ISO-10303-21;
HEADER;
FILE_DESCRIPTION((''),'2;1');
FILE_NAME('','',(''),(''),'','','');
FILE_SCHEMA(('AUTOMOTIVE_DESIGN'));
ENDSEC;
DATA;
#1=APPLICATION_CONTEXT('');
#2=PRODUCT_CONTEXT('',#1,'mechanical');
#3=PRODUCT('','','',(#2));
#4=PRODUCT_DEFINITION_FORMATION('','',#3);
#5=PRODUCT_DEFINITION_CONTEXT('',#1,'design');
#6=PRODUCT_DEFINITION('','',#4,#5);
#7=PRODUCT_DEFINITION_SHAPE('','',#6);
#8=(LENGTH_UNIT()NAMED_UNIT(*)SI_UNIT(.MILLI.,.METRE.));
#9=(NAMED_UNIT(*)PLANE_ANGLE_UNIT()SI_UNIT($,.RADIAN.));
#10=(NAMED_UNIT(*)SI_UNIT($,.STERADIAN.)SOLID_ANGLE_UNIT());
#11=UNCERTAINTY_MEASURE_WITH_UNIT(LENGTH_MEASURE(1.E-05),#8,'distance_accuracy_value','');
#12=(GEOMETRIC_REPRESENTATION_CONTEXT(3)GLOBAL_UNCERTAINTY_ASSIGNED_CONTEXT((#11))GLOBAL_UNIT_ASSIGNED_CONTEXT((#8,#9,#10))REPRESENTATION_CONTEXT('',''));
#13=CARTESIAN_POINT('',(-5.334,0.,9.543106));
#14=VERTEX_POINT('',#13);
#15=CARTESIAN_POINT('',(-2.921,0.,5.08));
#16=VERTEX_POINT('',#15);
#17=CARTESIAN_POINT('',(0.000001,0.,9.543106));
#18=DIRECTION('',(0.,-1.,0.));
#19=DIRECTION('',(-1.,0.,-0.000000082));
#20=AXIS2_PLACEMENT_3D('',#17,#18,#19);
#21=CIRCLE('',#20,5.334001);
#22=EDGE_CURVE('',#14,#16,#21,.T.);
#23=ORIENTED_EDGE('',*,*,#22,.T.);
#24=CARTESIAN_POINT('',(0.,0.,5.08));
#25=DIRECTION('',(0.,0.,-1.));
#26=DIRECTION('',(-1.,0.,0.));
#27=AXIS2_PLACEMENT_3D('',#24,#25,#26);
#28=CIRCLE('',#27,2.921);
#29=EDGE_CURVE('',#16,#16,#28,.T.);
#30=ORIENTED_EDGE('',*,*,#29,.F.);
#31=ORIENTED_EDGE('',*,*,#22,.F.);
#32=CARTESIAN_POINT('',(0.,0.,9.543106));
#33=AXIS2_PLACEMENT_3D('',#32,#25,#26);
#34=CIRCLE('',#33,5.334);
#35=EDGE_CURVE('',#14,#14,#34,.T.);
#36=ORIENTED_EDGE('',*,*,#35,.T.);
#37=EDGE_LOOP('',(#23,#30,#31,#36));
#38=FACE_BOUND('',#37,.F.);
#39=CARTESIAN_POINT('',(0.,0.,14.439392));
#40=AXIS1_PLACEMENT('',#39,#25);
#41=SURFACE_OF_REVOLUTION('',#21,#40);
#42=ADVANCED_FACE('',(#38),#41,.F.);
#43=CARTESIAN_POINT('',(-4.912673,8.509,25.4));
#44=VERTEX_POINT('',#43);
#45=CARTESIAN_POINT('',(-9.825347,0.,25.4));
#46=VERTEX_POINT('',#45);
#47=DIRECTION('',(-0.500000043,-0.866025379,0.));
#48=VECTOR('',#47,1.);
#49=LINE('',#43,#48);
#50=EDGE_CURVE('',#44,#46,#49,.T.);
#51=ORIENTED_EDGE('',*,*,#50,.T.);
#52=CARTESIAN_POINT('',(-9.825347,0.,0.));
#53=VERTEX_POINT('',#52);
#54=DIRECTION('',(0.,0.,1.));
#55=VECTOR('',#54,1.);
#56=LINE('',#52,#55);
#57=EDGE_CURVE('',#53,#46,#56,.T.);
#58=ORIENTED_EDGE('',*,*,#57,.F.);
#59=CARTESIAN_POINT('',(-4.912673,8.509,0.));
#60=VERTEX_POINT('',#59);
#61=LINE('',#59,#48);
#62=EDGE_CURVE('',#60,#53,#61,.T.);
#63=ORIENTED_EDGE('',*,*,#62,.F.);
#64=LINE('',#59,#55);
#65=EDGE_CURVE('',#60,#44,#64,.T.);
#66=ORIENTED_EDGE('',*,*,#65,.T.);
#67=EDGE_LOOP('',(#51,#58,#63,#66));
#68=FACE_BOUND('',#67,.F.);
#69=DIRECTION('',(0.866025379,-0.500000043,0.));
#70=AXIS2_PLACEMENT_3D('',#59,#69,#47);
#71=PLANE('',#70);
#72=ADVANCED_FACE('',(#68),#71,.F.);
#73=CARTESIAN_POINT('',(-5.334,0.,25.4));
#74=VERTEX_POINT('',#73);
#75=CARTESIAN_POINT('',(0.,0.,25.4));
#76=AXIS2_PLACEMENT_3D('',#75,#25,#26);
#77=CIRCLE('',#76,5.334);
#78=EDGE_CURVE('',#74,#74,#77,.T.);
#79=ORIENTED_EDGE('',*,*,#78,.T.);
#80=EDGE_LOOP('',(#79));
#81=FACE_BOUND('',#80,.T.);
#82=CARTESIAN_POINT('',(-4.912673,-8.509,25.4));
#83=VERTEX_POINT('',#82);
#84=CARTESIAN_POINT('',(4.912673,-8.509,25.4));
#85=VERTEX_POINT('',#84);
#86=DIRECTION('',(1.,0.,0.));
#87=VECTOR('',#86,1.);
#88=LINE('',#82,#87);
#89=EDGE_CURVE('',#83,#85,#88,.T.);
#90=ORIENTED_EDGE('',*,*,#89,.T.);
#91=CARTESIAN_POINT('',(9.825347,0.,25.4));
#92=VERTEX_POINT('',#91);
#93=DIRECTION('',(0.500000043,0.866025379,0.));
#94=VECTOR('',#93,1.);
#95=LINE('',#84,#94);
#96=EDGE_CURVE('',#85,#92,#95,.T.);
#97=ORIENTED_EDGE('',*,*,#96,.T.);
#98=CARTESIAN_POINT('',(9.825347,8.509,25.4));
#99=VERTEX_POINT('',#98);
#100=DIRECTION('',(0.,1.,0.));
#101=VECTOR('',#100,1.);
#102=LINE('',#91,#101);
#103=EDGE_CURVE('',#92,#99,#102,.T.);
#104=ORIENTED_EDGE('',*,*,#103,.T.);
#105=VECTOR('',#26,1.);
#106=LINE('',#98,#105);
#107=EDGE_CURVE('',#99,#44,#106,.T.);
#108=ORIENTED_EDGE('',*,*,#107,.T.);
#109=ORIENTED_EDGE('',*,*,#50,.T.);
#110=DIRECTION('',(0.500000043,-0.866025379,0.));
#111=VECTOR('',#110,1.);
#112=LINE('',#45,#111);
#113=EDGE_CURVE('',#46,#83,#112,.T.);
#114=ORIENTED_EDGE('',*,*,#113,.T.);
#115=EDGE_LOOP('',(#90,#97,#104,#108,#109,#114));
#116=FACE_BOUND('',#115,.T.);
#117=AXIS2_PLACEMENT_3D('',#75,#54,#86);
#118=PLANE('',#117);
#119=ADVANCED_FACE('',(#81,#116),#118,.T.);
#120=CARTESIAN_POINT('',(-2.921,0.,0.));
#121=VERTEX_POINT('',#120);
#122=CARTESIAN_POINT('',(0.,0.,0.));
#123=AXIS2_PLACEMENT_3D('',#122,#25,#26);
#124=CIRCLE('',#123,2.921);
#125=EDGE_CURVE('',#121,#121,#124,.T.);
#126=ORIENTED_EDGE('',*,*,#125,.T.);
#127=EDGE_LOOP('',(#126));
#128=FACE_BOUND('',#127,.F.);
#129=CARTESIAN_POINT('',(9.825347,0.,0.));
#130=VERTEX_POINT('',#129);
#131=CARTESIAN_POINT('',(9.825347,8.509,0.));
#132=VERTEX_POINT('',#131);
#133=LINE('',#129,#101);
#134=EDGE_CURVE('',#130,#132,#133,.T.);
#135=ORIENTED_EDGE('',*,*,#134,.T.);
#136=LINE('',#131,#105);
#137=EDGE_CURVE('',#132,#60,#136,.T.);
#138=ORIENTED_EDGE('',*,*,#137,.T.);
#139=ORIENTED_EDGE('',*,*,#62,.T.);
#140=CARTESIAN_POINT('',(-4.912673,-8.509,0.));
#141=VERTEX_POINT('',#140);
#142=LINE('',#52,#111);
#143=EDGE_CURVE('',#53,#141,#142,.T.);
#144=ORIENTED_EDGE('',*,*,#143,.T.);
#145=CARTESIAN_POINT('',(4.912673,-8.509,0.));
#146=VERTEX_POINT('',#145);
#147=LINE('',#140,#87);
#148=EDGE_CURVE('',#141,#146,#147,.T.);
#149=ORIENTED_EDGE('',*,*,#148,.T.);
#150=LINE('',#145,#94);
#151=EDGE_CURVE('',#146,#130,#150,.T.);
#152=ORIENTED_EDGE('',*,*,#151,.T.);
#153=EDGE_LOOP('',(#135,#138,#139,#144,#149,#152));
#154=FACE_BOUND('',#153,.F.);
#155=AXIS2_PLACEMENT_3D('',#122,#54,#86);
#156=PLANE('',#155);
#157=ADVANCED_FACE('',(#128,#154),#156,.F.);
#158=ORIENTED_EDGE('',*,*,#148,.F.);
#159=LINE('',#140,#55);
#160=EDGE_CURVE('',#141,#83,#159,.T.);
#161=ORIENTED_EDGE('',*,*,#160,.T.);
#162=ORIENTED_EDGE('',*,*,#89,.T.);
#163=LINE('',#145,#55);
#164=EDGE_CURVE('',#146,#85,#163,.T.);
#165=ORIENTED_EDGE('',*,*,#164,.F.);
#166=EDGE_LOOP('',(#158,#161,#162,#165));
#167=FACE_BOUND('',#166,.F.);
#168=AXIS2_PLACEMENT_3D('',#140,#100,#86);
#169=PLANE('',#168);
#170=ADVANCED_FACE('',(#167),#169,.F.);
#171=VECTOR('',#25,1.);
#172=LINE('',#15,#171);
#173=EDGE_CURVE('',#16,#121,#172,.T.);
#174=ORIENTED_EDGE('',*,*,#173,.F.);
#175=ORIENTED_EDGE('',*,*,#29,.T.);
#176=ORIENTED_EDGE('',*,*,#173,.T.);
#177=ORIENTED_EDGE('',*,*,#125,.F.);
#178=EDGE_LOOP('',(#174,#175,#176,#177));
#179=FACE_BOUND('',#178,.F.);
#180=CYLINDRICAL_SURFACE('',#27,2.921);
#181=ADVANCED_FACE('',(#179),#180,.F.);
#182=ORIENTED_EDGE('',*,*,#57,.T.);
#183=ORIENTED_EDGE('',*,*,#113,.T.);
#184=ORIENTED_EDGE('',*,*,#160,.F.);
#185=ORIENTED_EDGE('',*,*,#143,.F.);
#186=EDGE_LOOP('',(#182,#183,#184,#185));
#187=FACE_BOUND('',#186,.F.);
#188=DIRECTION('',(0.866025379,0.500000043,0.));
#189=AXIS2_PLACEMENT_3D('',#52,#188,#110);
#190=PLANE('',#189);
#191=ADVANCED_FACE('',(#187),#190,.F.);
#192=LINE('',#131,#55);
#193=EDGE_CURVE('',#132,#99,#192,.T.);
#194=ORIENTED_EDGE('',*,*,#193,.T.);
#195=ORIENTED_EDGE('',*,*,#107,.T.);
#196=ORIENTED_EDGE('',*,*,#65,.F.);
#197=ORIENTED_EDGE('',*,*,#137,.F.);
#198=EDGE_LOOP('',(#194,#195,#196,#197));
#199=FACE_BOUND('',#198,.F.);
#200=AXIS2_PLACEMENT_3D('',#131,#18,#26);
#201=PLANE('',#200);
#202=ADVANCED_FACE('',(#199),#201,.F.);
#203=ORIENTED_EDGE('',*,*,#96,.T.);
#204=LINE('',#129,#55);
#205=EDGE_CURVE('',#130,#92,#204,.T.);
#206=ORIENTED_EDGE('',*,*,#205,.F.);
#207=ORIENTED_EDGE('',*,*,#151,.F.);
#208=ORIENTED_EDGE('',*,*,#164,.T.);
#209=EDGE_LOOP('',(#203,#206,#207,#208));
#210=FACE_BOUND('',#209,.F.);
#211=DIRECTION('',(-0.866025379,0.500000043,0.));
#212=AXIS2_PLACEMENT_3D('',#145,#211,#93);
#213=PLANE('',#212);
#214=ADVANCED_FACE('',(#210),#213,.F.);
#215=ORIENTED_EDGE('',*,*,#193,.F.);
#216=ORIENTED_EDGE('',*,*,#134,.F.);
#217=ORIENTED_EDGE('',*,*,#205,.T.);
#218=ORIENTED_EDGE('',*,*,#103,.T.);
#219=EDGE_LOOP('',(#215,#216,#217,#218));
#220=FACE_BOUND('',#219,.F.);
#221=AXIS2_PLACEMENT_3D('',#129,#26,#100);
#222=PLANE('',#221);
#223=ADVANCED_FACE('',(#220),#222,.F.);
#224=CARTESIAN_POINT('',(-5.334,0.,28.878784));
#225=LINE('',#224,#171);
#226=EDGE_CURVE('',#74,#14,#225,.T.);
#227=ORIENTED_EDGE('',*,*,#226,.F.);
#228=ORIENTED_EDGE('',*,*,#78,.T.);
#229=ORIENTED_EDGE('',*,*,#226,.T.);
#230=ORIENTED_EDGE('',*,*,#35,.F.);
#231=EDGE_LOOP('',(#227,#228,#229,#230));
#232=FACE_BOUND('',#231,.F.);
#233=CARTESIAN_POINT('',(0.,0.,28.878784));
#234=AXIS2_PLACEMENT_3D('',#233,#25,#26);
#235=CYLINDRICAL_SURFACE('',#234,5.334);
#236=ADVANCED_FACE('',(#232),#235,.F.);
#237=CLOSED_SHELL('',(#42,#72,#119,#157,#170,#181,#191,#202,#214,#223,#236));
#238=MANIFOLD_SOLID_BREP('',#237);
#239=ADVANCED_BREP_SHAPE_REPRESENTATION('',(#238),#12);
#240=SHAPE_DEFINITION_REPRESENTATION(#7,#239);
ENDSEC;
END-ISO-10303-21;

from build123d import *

# Parameters (mm, degrees)
F0_R     = 5.334
F1_DEPTH = 25.4


with BuildPart() as f1:
    # F0 (on Top) → F1 (new body)
    with BuildSketch(Plane.XY):
        Polygon((4.912673, 8.509), (-4.912673, 8.509), (-9.825347, 0), (-4.912673, -8.509), (4.912673, -8.509), (9.825347, 0), align=None)
        Circle(F0_R, mode=Mode.SUBTRACT)
        Polygon((9.825347, 8.509), (4.912673, 8.509), (9.825347, 0), align=None)
        Circle(F0_R)
    extrude(amount=F1_DEPTH)

    # F2 (on Front) → F3 (revolve, cut)
    with BuildSketch(Plane.XZ):
        with BuildLine():
            Line((-2.921, 5.08), (-2.921, 0))
            Line((-2.921, 0), (0, 0))
            Line((0, 0), (0, 28.878784))
            Line((0, 28.878784), (-5.334, 28.878784))
            Line((-5.334, 28.878784), (-5.334, 9.543106))
            ThreePointArc((-5.334, 9.543106), (-4.69213, 7.006283), (-2.921, 5.08))
        make_face()
    revolve(axis=Axis((0, 0, 14.439392), (0, 0, -1)), mode=Mode.SUBTRACT)


solid = f1.part
